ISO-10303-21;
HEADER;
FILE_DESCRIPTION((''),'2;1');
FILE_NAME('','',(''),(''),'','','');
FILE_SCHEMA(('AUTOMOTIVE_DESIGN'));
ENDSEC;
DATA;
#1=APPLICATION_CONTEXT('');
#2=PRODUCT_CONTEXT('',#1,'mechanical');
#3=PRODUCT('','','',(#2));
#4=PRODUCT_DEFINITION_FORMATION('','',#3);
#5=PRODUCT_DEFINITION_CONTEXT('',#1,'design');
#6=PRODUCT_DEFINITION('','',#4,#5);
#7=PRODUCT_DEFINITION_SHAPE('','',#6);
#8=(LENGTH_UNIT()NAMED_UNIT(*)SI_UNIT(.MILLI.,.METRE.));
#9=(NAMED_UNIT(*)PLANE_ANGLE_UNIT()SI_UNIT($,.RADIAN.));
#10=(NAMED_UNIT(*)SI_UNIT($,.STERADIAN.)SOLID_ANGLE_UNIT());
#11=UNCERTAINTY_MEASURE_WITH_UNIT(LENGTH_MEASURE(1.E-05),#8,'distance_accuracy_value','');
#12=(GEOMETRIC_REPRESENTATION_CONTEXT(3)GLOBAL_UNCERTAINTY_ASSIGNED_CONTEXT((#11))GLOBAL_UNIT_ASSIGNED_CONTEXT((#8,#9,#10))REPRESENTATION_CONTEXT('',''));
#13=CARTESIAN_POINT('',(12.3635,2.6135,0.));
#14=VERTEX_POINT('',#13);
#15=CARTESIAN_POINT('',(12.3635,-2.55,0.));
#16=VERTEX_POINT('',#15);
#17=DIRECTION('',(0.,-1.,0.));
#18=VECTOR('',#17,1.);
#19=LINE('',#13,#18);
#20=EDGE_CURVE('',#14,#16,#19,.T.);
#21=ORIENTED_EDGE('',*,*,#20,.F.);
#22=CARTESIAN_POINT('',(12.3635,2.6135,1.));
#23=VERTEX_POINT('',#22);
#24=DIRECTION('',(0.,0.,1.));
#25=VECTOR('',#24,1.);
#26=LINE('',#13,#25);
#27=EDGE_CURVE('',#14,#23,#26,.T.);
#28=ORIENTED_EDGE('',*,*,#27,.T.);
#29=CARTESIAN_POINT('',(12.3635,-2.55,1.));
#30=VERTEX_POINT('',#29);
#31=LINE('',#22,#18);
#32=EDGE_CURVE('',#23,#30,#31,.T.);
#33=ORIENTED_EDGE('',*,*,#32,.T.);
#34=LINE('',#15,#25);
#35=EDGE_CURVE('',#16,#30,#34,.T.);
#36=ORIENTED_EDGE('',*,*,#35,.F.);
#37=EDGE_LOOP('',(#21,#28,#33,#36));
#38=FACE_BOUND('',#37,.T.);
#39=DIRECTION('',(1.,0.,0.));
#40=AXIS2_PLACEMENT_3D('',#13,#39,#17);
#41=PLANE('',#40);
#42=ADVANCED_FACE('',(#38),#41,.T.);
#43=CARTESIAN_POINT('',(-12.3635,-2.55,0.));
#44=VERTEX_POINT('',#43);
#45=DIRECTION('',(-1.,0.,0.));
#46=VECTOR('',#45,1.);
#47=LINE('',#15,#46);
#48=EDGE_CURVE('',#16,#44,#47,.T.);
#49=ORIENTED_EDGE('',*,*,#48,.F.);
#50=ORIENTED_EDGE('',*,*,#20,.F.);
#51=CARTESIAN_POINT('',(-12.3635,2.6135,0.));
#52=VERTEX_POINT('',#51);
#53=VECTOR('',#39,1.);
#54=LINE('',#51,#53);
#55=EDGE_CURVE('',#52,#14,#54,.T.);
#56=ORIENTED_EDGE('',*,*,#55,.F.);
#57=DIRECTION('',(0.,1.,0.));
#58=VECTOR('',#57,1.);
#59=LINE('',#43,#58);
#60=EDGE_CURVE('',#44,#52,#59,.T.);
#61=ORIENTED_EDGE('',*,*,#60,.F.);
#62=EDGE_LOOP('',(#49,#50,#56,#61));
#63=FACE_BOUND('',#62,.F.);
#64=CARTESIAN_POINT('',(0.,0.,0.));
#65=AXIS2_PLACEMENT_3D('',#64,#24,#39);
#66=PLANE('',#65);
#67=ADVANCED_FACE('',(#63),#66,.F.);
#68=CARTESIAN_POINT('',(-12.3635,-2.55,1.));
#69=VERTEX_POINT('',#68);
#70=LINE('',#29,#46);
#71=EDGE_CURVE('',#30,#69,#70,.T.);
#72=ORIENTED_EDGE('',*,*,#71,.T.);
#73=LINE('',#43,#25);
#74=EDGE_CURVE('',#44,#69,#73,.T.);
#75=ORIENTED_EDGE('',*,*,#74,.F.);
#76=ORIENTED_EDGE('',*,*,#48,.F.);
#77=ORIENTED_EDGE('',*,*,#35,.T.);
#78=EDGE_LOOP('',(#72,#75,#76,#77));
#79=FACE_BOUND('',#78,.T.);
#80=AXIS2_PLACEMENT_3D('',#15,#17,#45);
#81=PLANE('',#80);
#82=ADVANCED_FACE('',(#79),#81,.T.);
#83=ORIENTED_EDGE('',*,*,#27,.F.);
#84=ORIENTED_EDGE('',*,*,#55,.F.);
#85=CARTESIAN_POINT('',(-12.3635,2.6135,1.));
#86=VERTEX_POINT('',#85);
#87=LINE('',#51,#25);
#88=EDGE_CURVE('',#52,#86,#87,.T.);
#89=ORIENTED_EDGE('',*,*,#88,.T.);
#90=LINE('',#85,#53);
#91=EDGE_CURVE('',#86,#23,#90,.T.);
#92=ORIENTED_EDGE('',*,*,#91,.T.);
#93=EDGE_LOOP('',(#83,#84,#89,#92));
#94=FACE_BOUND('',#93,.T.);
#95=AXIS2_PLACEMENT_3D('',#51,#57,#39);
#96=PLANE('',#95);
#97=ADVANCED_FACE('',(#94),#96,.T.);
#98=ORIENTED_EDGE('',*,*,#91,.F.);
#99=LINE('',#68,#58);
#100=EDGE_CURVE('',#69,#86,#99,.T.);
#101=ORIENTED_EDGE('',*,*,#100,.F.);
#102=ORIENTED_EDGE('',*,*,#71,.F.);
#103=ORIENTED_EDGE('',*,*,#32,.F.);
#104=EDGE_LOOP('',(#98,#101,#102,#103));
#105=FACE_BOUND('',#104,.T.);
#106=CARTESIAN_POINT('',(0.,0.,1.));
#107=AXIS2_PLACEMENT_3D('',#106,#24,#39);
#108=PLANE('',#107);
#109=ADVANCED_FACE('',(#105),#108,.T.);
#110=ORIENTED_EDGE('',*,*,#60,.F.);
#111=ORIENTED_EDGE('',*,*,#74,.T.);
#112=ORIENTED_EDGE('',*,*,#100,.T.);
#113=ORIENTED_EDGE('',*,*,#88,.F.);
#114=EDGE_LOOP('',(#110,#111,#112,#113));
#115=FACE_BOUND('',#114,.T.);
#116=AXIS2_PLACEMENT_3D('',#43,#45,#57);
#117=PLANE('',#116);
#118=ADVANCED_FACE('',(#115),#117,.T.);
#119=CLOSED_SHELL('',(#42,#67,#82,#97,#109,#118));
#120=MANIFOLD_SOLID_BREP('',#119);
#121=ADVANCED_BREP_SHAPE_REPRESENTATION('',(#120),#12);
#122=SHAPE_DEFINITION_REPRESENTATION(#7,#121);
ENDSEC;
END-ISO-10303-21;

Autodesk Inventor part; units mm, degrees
ref_plane "YZ Plane" through (0, 0, 0) normal (1, 0, 0) x (0, 1, 0)
ref_plane "XZ Plane" through (0, 0, 0) normal (0, 1, 0) x (-1, 0, 0)
ref_plane "XY Plane" through (0, 0, 0) normal (0, 0, 1) x (1, 0, 0)
sketch "FX8C-060P-SV_92_, FX8C-060P-SV_92__11" plane through (0, 0, 0) normal (0, 0, 1) x (1, 0, 0)
  line L0 (-12.3635, 2.6135) -> (12.3635, 2.6135)
  line L1 (12.3635, 2.6135) -> (12.3635, -2.55)
  line L2 (12.3635, -2.55) -> (-12.3635, -2.55)
  line L3 (-12.3635, -2.55) -> (-12.3635, 2.6135)
extrude "Extrusion1" add sketch "FX8C-060P-SV_92_, FX8C-060P-SV_92__11" along normal blind 1
properties part number "FX8C-060P-SV_92_"
